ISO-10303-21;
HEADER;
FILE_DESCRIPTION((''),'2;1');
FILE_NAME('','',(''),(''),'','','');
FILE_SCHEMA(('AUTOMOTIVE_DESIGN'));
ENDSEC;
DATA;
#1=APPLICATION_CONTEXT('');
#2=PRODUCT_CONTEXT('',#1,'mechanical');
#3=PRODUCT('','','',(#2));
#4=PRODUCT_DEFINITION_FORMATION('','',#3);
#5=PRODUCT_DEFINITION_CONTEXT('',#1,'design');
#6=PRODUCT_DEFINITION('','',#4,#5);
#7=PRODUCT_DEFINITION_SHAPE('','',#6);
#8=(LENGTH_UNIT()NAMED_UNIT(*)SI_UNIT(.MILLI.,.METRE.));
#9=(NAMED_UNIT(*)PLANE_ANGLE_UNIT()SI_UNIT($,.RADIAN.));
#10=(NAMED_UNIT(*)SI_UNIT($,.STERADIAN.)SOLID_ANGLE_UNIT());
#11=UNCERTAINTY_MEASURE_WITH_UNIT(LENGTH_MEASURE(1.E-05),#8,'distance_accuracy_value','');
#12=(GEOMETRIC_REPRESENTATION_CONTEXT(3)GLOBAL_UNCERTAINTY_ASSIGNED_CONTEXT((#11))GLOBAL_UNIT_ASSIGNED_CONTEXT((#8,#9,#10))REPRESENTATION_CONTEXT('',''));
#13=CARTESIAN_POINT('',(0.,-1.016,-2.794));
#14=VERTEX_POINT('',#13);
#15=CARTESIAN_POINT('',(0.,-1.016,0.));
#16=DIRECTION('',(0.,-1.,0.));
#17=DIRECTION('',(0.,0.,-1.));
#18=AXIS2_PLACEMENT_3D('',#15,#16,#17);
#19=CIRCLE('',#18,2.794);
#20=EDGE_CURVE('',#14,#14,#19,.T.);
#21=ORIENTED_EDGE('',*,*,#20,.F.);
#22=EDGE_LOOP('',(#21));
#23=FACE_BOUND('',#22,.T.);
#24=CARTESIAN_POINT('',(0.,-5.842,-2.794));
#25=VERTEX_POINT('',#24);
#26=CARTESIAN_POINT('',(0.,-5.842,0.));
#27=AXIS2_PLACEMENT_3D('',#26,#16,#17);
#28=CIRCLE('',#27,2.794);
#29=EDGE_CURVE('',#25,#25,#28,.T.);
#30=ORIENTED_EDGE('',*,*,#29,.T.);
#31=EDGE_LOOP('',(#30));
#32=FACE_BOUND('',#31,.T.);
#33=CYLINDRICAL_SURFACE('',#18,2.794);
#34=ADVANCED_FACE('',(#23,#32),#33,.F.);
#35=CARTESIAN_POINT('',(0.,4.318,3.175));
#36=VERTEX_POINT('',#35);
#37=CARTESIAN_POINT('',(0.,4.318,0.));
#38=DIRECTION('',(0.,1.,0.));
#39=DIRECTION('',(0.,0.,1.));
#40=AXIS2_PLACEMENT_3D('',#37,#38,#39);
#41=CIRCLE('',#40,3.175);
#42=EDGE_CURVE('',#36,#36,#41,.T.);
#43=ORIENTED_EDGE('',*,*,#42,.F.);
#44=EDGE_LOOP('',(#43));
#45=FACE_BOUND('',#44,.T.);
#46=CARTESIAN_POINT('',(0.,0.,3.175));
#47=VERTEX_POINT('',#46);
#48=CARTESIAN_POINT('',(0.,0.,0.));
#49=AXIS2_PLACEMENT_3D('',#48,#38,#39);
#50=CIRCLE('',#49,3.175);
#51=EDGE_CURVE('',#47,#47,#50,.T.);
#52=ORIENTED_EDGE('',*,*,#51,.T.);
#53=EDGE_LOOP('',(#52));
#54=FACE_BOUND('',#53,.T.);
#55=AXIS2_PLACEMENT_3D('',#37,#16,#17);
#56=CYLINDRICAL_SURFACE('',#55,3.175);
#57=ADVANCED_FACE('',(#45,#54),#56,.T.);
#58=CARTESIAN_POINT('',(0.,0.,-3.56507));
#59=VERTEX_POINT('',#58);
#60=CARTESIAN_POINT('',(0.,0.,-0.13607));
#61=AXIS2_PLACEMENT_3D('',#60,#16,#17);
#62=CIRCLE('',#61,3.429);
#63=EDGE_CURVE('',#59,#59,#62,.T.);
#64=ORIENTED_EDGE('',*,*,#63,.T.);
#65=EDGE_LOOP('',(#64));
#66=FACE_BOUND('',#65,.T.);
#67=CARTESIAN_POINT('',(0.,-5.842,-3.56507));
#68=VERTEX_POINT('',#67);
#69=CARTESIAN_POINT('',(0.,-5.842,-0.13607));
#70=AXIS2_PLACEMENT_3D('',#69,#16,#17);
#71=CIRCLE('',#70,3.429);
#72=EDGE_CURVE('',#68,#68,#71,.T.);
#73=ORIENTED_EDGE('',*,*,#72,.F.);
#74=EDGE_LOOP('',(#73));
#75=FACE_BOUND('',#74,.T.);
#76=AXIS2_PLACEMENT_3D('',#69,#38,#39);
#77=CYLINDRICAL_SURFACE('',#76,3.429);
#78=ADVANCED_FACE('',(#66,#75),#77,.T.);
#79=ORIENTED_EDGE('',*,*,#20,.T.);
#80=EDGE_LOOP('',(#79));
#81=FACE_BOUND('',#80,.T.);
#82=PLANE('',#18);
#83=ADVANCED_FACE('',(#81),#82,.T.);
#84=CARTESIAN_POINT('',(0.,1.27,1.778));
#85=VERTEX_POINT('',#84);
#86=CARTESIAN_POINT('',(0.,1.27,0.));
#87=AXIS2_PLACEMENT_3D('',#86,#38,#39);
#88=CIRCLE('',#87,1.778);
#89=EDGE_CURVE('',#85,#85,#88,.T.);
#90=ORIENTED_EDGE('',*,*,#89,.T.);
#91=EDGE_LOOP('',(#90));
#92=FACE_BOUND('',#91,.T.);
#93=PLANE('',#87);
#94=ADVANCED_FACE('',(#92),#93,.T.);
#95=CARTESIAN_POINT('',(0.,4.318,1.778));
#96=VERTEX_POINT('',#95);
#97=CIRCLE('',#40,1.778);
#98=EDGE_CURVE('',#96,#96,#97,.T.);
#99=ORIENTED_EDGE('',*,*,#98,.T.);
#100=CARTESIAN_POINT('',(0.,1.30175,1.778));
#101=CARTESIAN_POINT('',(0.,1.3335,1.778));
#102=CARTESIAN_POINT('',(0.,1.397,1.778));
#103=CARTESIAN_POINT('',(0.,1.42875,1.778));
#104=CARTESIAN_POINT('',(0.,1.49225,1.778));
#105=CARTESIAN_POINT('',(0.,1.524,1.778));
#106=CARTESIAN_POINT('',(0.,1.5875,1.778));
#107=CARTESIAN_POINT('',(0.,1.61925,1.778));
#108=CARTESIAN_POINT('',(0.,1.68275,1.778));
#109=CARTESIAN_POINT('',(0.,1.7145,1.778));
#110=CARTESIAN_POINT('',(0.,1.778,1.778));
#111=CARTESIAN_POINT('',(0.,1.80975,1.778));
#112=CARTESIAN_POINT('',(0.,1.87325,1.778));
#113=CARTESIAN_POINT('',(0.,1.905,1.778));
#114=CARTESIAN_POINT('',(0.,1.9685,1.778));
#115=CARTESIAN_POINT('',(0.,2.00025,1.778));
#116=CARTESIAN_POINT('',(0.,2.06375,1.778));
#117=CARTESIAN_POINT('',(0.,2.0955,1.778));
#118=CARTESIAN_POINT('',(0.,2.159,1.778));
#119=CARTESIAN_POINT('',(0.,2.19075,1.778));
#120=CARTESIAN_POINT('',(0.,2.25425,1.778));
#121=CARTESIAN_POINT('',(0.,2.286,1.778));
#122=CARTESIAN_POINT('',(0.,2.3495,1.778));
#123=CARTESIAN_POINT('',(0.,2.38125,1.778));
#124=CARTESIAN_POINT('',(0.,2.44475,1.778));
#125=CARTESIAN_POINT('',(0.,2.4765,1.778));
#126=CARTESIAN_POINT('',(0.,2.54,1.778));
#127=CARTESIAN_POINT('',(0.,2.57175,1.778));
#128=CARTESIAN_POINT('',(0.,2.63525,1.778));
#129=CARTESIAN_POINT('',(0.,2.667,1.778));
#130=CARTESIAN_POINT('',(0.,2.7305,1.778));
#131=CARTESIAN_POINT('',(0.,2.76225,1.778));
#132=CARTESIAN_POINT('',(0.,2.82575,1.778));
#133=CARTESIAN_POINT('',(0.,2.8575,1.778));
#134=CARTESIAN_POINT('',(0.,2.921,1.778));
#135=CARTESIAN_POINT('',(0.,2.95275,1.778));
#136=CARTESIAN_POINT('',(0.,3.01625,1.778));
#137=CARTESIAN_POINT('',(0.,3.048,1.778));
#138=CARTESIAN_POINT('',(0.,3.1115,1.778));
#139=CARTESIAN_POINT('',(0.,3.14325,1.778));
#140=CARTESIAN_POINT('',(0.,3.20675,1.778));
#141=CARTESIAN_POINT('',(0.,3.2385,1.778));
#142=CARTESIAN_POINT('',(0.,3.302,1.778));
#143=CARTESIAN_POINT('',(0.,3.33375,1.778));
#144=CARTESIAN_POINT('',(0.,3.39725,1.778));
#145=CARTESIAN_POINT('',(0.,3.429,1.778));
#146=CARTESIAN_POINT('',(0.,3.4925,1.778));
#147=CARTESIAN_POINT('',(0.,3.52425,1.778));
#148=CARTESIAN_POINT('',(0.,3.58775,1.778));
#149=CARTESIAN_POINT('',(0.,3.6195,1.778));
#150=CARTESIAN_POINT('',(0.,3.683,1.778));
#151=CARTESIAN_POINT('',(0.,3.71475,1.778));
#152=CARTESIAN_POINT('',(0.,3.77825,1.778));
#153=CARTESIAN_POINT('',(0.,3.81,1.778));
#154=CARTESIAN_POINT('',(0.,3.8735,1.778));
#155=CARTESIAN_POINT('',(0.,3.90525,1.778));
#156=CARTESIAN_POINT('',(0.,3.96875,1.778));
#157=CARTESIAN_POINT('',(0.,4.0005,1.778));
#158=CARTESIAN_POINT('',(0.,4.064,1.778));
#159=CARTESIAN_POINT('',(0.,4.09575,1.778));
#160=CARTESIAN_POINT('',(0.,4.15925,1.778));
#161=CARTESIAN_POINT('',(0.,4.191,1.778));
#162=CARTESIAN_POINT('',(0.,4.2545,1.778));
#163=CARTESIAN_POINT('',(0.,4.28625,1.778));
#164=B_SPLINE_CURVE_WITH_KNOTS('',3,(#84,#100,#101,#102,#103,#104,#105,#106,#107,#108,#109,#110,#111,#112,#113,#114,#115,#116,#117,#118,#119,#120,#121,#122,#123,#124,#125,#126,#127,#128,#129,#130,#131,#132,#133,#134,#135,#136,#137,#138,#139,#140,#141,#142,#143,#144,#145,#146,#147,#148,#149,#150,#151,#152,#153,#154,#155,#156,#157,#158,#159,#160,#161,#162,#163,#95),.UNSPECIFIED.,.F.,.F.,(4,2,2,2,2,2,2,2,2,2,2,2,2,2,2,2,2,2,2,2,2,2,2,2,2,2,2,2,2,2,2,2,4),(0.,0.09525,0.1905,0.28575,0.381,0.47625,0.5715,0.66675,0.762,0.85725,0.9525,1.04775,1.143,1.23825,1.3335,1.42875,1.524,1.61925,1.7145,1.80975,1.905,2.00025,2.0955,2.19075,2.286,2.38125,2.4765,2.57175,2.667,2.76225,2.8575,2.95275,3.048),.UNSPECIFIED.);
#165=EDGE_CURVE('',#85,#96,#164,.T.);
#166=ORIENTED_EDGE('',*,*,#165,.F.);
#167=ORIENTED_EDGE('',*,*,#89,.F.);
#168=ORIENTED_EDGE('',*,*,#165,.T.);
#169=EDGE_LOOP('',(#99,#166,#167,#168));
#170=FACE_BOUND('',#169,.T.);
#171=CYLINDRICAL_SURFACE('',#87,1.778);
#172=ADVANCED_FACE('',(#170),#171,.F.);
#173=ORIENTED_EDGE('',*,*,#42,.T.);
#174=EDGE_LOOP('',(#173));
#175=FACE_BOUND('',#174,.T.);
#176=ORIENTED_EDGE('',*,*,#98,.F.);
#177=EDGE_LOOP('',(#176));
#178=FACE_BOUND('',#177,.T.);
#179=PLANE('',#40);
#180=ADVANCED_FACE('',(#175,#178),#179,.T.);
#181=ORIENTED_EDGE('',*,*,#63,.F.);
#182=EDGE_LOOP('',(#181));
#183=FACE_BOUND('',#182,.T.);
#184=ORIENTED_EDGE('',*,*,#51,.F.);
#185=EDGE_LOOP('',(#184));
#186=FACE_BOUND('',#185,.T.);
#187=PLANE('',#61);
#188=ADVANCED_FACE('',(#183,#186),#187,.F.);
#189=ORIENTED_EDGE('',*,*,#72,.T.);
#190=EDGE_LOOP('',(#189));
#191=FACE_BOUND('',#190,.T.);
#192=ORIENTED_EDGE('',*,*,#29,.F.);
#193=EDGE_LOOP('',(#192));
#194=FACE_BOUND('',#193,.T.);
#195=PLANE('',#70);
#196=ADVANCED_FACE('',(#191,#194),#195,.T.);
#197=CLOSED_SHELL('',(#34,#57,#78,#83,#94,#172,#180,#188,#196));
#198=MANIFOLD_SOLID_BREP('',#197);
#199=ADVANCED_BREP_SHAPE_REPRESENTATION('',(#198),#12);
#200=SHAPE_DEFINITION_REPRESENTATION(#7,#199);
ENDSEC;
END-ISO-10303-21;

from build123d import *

# Parameters (mm, degrees)
SKETCH1_R           = 3.175
BOSS_EXTRUDE1_DEPTH = 4.318
SKETCH2_R           = 1.778
CUT_EXTRUDE1_DEPTH  = 3.048
SKETCH4_R           = 3.429
BOSS_EXTRUDE2_DEPTH = 5.842
SKETCH5_R           = 2.794
CUT_EXTRUDE2_DEPTH  = 4.826


with BuildPart() as part:
    # Sketch1 → Boss-Extrude1 (new body)
    with BuildSketch(Plane(origin=(0, 0, 0), x_dir=(1, 0, 0), z_dir=(0, 1, 0))):
        with Locations(Location((0, 0, 0), (0, 0, 270))):
            Circle(SKETCH1_R)
    extrude(amount=BOSS_EXTRUDE1_DEPTH)

    # Sketch2 → Cut-Extrude1 (cut)
    with BuildSketch(Plane(origin=(0, 4.318, 0), x_dir=(1, 0, 0), z_dir=(0, 1, 0))):
        with Locations(Location((0, 0, 0), (0, 0, 270))):
            Circle(SKETCH2_R)
    extrude(amount=-CUT_EXTRUDE1_DEPTH, mode=Mode.SUBTRACT)

    # Sketch4 → Boss-Extrude2 (add)
    with BuildSketch(Plane.XZ):
        with Locations(Location((0, -0.136069794, 0), (0, 0, 270))):
            Circle(SKETCH4_R)
    extrude(amount=BOSS_EXTRUDE2_DEPTH)

    # Sketch5 → Cut-Extrude2 (cut)
    with BuildSketch(Plane.XZ.offset(5.842)):
        with Locations(Location((0, 0, 0), (0, 0, 270))):
            Circle(SKETCH5_R)
    extrude(amount=-CUT_EXTRUDE2_DEPTH, mode=Mode.SUBTRACT)


solid = part.part
